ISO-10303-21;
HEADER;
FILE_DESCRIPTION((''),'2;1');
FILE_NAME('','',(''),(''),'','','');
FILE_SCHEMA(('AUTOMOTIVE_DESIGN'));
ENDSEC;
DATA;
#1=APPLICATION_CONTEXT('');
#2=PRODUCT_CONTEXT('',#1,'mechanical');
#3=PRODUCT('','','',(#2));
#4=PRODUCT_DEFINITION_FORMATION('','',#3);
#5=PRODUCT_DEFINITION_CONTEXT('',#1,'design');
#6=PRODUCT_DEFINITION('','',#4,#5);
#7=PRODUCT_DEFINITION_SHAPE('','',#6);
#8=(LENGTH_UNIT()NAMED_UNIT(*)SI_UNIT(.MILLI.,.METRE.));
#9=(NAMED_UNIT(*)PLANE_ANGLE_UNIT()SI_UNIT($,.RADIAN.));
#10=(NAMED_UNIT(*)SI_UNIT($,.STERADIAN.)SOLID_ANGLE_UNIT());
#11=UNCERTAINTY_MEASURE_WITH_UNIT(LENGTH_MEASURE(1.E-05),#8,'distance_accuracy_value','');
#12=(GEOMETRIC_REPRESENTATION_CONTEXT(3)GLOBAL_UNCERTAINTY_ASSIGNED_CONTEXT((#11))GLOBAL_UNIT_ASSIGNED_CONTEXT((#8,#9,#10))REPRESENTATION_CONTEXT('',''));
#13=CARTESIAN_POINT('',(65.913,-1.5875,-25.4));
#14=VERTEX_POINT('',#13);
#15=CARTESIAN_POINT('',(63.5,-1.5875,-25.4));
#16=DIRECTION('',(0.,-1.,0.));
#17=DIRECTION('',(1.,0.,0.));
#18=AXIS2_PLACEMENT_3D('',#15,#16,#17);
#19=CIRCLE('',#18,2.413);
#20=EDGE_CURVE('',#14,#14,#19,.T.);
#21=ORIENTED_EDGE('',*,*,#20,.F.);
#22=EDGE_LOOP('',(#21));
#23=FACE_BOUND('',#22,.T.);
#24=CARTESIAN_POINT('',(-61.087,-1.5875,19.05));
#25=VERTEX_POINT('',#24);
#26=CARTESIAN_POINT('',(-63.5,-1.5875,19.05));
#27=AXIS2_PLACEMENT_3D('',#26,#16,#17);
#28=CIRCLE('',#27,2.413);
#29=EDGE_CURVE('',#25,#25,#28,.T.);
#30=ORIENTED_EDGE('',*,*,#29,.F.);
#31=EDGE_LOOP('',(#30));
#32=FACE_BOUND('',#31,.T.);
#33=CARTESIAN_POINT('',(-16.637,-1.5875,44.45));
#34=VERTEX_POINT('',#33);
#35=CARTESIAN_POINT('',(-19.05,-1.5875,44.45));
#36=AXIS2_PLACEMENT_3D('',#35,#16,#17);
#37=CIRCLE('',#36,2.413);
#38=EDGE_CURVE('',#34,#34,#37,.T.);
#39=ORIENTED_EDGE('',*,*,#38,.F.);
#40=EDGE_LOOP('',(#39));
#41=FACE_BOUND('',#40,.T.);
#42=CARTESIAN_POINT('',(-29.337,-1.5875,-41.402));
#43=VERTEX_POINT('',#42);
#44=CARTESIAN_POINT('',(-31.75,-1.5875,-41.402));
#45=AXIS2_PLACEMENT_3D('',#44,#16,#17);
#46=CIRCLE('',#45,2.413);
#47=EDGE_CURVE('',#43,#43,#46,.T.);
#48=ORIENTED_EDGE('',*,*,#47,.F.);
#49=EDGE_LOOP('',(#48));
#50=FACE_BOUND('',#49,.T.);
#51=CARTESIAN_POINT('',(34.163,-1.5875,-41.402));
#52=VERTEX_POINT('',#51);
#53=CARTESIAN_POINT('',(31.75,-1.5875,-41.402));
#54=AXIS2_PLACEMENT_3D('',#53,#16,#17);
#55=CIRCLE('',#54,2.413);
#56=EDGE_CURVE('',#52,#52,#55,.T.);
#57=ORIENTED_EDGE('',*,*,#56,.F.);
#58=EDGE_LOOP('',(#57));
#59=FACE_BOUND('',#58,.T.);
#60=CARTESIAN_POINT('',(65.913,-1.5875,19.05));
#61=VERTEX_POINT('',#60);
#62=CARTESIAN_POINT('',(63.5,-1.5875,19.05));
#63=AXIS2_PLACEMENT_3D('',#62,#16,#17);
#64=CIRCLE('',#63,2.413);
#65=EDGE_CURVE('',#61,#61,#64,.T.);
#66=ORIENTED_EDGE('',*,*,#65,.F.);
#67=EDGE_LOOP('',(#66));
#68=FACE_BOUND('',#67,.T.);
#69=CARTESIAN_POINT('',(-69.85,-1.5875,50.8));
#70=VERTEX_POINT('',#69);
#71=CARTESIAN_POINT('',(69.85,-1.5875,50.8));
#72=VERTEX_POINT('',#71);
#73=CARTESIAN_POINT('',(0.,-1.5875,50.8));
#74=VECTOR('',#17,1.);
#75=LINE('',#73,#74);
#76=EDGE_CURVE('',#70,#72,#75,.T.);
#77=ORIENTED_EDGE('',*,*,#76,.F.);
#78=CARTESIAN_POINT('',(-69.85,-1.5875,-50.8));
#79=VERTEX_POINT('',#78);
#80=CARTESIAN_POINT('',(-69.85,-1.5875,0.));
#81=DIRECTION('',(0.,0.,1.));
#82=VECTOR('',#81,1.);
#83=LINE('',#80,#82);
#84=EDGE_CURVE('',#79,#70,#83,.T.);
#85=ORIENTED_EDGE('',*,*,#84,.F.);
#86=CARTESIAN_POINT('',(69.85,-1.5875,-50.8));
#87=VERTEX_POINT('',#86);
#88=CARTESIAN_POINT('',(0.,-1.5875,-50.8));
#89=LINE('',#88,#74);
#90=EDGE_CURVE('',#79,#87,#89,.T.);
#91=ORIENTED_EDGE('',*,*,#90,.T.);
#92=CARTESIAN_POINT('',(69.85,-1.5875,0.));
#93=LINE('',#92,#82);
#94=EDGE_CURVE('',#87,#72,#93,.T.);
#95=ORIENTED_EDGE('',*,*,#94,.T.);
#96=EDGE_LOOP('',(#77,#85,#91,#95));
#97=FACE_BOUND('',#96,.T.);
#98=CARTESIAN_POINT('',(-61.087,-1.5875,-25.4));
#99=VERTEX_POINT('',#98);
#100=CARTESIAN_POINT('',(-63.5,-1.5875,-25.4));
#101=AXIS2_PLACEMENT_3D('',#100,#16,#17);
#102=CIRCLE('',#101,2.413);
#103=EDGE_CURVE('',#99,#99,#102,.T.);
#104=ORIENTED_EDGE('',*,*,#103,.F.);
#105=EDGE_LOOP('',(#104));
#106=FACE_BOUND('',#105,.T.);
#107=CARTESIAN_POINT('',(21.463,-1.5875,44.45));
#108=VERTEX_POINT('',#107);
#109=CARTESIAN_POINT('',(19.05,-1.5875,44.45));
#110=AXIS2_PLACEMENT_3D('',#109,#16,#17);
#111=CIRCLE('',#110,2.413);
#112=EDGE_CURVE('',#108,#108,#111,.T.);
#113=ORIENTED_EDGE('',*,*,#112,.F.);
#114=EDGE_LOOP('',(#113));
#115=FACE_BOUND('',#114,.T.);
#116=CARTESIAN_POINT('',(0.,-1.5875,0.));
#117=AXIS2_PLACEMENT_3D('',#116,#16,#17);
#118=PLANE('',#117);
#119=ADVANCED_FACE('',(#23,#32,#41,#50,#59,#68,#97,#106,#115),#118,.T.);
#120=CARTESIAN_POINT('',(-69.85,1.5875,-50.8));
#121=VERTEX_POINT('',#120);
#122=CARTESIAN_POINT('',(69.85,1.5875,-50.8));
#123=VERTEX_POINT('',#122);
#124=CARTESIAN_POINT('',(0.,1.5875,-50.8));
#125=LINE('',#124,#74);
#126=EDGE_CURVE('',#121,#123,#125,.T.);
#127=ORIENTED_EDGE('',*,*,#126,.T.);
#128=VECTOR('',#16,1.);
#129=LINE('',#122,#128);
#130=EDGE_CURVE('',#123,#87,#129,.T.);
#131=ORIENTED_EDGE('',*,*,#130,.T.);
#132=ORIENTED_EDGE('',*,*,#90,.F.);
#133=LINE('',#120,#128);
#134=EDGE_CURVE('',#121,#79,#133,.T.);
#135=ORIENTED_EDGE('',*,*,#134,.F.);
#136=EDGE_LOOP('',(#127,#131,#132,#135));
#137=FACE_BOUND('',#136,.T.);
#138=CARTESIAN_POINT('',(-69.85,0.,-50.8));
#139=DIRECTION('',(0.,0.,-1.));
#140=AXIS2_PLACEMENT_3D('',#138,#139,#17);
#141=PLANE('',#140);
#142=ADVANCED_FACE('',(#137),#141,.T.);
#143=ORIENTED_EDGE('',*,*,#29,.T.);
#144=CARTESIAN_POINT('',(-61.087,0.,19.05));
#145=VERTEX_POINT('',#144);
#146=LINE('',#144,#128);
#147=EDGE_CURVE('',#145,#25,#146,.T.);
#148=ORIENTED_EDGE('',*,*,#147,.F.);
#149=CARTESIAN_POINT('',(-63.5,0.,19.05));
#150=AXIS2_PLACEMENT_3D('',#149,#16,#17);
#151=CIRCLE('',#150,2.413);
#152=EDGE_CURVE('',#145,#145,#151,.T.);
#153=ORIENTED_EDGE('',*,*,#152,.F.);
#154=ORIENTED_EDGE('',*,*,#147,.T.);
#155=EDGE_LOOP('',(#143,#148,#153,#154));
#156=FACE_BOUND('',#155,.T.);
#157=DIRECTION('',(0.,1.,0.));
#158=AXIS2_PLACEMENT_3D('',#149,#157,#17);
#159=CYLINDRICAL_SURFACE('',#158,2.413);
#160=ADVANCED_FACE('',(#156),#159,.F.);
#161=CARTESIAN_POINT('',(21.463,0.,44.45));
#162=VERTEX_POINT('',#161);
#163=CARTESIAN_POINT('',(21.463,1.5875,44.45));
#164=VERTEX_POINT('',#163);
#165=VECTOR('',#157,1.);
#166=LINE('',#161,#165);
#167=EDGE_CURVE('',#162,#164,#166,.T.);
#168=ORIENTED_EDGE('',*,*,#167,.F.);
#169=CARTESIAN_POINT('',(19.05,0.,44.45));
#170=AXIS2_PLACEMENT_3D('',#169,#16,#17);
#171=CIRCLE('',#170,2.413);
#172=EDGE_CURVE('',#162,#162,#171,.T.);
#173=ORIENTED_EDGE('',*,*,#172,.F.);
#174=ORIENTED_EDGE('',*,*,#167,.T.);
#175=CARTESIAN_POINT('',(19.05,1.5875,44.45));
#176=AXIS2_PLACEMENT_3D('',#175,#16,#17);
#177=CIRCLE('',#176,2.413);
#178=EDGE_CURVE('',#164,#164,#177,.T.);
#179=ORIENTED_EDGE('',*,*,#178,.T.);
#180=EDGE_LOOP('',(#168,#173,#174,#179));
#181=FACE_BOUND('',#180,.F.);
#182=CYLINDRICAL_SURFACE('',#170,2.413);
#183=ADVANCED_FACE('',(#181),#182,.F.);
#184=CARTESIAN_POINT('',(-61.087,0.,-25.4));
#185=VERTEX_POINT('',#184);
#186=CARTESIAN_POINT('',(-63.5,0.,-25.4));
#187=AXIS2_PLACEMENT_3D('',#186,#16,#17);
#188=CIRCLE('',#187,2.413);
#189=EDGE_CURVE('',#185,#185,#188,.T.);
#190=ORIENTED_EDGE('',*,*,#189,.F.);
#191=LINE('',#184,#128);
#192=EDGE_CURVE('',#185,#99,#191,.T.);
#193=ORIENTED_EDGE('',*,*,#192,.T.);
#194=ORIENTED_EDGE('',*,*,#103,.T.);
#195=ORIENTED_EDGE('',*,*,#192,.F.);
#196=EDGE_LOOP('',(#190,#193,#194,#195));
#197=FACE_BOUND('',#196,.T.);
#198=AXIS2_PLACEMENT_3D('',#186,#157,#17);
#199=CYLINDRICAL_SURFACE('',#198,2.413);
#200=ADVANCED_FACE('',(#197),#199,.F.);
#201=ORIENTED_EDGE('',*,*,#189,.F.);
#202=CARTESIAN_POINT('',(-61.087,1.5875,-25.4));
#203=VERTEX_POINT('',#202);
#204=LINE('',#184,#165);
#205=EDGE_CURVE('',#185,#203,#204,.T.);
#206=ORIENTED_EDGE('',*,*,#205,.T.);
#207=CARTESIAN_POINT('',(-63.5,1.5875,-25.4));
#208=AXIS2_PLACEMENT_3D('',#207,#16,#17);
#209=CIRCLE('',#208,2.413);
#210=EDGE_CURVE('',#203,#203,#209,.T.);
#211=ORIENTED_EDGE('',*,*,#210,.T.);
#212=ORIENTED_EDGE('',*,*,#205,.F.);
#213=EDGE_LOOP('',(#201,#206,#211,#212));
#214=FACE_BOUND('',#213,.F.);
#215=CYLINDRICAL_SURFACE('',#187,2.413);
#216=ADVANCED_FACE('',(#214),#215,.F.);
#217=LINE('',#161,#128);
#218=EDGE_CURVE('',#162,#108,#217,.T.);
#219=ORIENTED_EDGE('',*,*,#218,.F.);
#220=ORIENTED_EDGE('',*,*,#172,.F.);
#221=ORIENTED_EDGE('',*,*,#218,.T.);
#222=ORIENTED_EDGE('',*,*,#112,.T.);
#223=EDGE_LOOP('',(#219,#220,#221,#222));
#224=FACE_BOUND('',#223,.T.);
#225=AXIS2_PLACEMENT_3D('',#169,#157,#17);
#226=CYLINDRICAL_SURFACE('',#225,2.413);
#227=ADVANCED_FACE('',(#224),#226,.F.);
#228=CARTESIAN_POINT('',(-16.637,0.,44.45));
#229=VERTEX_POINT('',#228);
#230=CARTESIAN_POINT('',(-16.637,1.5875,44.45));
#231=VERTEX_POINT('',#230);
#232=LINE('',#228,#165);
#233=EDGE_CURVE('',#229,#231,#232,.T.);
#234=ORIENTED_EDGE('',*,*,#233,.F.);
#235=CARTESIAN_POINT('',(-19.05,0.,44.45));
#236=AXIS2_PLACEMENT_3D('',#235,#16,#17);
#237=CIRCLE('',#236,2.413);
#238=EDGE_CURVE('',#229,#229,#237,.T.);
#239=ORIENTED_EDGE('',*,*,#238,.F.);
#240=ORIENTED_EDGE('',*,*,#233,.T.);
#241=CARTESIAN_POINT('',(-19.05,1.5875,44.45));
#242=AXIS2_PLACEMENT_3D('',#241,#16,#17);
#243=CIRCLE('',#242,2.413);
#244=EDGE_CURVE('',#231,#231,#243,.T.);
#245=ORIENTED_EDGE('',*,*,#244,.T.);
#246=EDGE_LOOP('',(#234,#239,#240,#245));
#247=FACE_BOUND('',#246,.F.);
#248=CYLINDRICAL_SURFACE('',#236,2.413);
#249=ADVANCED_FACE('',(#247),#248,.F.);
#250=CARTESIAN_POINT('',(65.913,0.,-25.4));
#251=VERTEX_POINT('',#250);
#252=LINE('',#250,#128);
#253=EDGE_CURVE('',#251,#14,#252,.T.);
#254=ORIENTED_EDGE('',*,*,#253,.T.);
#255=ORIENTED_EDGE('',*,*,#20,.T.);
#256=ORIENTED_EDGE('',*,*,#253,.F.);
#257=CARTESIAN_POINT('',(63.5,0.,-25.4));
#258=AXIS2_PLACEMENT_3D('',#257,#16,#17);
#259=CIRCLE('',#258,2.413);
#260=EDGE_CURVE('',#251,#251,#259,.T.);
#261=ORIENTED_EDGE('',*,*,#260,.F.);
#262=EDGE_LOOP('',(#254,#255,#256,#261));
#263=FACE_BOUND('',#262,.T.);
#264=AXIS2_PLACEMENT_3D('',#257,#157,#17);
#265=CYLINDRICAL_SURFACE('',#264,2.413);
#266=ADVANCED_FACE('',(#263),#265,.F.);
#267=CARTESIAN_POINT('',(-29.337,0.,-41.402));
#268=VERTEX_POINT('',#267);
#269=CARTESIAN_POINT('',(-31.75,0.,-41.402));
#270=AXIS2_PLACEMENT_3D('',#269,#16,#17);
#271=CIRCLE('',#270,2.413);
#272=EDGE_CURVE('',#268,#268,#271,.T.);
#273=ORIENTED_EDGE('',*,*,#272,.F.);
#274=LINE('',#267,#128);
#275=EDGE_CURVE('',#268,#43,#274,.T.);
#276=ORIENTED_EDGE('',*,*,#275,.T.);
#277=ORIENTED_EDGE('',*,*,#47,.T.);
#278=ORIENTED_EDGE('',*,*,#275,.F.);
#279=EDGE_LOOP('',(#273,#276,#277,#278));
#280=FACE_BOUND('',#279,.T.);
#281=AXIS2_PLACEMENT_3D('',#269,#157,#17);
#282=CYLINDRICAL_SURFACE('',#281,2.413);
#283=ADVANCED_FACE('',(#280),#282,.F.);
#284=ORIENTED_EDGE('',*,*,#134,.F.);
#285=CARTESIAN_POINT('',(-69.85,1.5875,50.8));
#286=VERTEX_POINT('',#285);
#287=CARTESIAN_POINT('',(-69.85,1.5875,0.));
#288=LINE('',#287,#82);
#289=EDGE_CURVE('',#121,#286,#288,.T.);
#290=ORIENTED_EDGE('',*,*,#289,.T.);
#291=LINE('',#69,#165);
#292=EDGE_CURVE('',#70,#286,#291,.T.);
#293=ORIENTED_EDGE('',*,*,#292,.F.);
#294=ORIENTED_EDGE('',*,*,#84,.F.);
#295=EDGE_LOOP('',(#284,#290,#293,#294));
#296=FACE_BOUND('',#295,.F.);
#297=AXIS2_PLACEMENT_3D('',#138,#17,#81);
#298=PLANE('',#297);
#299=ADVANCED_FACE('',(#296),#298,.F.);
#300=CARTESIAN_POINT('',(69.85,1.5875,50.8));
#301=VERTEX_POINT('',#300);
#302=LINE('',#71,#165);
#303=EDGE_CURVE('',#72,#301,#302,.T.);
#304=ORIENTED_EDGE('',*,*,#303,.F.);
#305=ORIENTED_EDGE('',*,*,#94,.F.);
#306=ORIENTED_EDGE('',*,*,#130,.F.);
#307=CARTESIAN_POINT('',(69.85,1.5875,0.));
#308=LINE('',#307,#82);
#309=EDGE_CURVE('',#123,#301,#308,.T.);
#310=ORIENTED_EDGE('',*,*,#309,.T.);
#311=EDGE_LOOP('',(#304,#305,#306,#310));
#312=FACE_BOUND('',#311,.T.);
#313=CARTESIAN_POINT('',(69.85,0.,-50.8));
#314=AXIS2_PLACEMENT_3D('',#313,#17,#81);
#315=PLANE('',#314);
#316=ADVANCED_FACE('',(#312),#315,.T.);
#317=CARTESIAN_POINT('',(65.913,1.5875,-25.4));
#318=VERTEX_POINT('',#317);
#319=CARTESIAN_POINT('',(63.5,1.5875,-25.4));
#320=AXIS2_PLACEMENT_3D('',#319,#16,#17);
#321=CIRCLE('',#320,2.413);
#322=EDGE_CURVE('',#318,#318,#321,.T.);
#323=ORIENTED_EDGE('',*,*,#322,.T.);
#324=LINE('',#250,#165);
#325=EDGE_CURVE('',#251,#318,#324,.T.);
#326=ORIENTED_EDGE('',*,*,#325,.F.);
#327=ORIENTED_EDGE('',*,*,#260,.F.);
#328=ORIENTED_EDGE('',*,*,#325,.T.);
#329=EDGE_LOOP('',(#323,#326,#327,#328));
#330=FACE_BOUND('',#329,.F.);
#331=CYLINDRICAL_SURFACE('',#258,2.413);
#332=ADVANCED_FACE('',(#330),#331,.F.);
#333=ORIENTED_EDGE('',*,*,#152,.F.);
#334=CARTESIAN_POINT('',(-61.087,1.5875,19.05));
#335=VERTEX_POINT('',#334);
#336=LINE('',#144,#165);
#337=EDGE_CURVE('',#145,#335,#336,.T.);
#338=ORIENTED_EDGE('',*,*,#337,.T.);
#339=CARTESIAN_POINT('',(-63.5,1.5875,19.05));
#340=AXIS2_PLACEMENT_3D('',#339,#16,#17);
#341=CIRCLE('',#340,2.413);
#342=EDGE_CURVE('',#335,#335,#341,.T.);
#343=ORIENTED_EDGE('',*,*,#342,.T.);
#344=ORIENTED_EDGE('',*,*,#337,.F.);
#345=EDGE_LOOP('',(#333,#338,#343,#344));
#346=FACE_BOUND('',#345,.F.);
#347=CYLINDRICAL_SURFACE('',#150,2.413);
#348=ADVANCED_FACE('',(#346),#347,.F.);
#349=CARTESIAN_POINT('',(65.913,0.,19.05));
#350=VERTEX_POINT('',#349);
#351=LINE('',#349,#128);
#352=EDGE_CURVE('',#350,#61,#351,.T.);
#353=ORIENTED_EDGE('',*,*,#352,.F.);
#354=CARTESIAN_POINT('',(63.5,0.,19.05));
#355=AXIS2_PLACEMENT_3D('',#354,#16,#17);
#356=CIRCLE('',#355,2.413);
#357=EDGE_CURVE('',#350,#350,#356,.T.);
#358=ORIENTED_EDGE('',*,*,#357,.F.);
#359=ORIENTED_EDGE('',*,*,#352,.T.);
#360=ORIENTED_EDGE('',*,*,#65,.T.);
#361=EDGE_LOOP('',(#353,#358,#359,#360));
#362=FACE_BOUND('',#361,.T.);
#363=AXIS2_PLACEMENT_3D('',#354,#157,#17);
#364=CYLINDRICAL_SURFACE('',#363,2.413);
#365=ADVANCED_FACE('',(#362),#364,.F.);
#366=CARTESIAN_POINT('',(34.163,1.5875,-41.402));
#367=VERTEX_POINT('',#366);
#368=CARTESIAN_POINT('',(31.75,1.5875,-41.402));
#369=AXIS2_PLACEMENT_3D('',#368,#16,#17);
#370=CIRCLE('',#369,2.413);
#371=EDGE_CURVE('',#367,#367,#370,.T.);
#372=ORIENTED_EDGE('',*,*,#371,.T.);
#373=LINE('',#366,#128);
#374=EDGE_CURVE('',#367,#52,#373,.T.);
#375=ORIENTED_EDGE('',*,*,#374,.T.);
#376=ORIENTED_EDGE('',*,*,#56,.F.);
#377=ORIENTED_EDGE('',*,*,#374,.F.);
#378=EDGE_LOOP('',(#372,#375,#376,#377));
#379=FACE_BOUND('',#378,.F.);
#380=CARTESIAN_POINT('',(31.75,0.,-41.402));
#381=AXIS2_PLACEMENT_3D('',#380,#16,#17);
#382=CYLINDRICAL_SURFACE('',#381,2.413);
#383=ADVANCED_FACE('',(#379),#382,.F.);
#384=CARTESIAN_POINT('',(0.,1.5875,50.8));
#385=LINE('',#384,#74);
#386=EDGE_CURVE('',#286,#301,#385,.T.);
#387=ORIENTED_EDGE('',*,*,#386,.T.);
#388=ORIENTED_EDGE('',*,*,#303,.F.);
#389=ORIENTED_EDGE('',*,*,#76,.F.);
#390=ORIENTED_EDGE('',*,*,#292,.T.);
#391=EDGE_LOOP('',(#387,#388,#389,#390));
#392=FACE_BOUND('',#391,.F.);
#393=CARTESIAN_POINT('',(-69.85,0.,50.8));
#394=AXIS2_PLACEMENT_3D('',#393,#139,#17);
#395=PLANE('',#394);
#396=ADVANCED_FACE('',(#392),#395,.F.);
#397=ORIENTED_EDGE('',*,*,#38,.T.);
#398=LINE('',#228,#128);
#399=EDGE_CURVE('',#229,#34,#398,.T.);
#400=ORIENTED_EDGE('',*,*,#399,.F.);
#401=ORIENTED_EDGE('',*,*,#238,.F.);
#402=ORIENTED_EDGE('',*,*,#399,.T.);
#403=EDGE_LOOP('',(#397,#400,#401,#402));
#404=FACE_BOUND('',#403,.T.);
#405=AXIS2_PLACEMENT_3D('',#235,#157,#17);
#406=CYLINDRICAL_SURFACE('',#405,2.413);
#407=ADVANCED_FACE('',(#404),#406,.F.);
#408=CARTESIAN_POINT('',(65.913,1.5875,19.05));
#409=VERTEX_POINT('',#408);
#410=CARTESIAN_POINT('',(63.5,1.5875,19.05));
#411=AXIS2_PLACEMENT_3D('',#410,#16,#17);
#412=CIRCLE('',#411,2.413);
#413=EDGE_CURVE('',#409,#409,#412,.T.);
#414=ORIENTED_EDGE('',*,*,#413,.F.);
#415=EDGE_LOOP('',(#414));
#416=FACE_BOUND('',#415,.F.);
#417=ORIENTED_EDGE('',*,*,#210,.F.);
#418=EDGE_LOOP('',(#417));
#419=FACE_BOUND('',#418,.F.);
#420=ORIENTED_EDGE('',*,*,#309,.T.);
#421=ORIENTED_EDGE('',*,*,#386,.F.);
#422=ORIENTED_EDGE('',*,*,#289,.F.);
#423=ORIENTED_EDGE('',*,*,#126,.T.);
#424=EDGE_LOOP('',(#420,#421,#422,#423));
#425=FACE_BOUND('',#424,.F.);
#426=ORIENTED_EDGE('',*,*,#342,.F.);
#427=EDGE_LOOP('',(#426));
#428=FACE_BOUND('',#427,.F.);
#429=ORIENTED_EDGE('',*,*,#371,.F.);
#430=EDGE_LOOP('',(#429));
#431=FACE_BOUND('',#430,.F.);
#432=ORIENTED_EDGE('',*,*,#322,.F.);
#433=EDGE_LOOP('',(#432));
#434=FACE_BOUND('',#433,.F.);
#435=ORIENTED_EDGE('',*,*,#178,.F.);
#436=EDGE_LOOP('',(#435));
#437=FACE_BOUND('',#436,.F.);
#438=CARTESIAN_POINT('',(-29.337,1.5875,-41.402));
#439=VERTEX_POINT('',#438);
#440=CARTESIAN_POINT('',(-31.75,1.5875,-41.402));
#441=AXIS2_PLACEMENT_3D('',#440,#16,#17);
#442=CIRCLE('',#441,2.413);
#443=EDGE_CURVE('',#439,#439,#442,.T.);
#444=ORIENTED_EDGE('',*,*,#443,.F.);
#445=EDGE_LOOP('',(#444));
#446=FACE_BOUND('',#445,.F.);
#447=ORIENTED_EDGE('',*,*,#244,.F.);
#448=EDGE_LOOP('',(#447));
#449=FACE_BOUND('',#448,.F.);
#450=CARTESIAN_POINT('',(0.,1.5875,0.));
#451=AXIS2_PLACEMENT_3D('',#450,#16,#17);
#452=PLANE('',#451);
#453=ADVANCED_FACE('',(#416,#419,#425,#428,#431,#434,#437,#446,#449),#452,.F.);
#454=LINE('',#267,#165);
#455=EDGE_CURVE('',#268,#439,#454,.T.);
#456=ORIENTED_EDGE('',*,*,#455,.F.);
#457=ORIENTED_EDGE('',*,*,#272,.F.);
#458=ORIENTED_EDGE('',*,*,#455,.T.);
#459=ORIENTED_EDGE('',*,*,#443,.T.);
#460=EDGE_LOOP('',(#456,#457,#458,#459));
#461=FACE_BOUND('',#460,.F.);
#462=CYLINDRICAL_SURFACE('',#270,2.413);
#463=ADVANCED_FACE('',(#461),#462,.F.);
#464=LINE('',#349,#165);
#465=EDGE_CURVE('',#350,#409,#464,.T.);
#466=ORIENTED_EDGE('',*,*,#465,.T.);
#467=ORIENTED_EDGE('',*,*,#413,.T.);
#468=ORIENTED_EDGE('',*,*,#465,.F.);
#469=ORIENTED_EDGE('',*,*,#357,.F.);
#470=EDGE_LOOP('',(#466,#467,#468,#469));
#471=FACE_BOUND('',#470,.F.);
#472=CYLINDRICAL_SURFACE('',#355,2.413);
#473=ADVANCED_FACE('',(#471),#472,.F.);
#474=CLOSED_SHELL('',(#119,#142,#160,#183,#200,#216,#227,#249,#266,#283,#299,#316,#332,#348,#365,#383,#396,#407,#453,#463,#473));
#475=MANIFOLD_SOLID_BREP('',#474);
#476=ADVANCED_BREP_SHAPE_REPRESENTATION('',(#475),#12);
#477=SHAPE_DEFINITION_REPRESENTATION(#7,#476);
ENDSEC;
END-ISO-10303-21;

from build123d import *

# Parameters (mm, degrees)
F0_W     = 139.7
F0_H     = 101.6
F1_DEPTH = 1.5875
F2_R     = 2.413
F3_DEPTH = 1.5875


with BuildPart() as f1:
    # F0 (on Front) → F1 (new body, symmetric)
    with BuildSketch(Plane.XZ):
        Rectangle(F0_W, F0_H)
    extrude(amount=F1_DEPTH, both=True)

    # F2 (on Front) → F3 (cut, symmetric)
    with BuildSketch(Plane.XZ):
        with Locations((19.05, 44.45)):
            Circle(F2_R)
        with Locations((-19.05, 44.45)):
            Circle(F2_R)
        with Locations((-63.5, 19.05)):
            Circle(F2_R)
        with Locations((-63.5, -25.4)):
            Circle(F2_R)
        with Locations((63.5, 19.05)):
            Circle(F2_R)
        with Locations((63.5, -25.4)):
            Circle(F2_R)
        with Locations((-31.75, -41.402)):
            Circle(F2_R)
        with Locations((31.75, -41.402)):
            Circle(F2_R)
    extrude(amount=F3_DEPTH, both=True, mode=Mode.SUBTRACT)


solid = f1.part
